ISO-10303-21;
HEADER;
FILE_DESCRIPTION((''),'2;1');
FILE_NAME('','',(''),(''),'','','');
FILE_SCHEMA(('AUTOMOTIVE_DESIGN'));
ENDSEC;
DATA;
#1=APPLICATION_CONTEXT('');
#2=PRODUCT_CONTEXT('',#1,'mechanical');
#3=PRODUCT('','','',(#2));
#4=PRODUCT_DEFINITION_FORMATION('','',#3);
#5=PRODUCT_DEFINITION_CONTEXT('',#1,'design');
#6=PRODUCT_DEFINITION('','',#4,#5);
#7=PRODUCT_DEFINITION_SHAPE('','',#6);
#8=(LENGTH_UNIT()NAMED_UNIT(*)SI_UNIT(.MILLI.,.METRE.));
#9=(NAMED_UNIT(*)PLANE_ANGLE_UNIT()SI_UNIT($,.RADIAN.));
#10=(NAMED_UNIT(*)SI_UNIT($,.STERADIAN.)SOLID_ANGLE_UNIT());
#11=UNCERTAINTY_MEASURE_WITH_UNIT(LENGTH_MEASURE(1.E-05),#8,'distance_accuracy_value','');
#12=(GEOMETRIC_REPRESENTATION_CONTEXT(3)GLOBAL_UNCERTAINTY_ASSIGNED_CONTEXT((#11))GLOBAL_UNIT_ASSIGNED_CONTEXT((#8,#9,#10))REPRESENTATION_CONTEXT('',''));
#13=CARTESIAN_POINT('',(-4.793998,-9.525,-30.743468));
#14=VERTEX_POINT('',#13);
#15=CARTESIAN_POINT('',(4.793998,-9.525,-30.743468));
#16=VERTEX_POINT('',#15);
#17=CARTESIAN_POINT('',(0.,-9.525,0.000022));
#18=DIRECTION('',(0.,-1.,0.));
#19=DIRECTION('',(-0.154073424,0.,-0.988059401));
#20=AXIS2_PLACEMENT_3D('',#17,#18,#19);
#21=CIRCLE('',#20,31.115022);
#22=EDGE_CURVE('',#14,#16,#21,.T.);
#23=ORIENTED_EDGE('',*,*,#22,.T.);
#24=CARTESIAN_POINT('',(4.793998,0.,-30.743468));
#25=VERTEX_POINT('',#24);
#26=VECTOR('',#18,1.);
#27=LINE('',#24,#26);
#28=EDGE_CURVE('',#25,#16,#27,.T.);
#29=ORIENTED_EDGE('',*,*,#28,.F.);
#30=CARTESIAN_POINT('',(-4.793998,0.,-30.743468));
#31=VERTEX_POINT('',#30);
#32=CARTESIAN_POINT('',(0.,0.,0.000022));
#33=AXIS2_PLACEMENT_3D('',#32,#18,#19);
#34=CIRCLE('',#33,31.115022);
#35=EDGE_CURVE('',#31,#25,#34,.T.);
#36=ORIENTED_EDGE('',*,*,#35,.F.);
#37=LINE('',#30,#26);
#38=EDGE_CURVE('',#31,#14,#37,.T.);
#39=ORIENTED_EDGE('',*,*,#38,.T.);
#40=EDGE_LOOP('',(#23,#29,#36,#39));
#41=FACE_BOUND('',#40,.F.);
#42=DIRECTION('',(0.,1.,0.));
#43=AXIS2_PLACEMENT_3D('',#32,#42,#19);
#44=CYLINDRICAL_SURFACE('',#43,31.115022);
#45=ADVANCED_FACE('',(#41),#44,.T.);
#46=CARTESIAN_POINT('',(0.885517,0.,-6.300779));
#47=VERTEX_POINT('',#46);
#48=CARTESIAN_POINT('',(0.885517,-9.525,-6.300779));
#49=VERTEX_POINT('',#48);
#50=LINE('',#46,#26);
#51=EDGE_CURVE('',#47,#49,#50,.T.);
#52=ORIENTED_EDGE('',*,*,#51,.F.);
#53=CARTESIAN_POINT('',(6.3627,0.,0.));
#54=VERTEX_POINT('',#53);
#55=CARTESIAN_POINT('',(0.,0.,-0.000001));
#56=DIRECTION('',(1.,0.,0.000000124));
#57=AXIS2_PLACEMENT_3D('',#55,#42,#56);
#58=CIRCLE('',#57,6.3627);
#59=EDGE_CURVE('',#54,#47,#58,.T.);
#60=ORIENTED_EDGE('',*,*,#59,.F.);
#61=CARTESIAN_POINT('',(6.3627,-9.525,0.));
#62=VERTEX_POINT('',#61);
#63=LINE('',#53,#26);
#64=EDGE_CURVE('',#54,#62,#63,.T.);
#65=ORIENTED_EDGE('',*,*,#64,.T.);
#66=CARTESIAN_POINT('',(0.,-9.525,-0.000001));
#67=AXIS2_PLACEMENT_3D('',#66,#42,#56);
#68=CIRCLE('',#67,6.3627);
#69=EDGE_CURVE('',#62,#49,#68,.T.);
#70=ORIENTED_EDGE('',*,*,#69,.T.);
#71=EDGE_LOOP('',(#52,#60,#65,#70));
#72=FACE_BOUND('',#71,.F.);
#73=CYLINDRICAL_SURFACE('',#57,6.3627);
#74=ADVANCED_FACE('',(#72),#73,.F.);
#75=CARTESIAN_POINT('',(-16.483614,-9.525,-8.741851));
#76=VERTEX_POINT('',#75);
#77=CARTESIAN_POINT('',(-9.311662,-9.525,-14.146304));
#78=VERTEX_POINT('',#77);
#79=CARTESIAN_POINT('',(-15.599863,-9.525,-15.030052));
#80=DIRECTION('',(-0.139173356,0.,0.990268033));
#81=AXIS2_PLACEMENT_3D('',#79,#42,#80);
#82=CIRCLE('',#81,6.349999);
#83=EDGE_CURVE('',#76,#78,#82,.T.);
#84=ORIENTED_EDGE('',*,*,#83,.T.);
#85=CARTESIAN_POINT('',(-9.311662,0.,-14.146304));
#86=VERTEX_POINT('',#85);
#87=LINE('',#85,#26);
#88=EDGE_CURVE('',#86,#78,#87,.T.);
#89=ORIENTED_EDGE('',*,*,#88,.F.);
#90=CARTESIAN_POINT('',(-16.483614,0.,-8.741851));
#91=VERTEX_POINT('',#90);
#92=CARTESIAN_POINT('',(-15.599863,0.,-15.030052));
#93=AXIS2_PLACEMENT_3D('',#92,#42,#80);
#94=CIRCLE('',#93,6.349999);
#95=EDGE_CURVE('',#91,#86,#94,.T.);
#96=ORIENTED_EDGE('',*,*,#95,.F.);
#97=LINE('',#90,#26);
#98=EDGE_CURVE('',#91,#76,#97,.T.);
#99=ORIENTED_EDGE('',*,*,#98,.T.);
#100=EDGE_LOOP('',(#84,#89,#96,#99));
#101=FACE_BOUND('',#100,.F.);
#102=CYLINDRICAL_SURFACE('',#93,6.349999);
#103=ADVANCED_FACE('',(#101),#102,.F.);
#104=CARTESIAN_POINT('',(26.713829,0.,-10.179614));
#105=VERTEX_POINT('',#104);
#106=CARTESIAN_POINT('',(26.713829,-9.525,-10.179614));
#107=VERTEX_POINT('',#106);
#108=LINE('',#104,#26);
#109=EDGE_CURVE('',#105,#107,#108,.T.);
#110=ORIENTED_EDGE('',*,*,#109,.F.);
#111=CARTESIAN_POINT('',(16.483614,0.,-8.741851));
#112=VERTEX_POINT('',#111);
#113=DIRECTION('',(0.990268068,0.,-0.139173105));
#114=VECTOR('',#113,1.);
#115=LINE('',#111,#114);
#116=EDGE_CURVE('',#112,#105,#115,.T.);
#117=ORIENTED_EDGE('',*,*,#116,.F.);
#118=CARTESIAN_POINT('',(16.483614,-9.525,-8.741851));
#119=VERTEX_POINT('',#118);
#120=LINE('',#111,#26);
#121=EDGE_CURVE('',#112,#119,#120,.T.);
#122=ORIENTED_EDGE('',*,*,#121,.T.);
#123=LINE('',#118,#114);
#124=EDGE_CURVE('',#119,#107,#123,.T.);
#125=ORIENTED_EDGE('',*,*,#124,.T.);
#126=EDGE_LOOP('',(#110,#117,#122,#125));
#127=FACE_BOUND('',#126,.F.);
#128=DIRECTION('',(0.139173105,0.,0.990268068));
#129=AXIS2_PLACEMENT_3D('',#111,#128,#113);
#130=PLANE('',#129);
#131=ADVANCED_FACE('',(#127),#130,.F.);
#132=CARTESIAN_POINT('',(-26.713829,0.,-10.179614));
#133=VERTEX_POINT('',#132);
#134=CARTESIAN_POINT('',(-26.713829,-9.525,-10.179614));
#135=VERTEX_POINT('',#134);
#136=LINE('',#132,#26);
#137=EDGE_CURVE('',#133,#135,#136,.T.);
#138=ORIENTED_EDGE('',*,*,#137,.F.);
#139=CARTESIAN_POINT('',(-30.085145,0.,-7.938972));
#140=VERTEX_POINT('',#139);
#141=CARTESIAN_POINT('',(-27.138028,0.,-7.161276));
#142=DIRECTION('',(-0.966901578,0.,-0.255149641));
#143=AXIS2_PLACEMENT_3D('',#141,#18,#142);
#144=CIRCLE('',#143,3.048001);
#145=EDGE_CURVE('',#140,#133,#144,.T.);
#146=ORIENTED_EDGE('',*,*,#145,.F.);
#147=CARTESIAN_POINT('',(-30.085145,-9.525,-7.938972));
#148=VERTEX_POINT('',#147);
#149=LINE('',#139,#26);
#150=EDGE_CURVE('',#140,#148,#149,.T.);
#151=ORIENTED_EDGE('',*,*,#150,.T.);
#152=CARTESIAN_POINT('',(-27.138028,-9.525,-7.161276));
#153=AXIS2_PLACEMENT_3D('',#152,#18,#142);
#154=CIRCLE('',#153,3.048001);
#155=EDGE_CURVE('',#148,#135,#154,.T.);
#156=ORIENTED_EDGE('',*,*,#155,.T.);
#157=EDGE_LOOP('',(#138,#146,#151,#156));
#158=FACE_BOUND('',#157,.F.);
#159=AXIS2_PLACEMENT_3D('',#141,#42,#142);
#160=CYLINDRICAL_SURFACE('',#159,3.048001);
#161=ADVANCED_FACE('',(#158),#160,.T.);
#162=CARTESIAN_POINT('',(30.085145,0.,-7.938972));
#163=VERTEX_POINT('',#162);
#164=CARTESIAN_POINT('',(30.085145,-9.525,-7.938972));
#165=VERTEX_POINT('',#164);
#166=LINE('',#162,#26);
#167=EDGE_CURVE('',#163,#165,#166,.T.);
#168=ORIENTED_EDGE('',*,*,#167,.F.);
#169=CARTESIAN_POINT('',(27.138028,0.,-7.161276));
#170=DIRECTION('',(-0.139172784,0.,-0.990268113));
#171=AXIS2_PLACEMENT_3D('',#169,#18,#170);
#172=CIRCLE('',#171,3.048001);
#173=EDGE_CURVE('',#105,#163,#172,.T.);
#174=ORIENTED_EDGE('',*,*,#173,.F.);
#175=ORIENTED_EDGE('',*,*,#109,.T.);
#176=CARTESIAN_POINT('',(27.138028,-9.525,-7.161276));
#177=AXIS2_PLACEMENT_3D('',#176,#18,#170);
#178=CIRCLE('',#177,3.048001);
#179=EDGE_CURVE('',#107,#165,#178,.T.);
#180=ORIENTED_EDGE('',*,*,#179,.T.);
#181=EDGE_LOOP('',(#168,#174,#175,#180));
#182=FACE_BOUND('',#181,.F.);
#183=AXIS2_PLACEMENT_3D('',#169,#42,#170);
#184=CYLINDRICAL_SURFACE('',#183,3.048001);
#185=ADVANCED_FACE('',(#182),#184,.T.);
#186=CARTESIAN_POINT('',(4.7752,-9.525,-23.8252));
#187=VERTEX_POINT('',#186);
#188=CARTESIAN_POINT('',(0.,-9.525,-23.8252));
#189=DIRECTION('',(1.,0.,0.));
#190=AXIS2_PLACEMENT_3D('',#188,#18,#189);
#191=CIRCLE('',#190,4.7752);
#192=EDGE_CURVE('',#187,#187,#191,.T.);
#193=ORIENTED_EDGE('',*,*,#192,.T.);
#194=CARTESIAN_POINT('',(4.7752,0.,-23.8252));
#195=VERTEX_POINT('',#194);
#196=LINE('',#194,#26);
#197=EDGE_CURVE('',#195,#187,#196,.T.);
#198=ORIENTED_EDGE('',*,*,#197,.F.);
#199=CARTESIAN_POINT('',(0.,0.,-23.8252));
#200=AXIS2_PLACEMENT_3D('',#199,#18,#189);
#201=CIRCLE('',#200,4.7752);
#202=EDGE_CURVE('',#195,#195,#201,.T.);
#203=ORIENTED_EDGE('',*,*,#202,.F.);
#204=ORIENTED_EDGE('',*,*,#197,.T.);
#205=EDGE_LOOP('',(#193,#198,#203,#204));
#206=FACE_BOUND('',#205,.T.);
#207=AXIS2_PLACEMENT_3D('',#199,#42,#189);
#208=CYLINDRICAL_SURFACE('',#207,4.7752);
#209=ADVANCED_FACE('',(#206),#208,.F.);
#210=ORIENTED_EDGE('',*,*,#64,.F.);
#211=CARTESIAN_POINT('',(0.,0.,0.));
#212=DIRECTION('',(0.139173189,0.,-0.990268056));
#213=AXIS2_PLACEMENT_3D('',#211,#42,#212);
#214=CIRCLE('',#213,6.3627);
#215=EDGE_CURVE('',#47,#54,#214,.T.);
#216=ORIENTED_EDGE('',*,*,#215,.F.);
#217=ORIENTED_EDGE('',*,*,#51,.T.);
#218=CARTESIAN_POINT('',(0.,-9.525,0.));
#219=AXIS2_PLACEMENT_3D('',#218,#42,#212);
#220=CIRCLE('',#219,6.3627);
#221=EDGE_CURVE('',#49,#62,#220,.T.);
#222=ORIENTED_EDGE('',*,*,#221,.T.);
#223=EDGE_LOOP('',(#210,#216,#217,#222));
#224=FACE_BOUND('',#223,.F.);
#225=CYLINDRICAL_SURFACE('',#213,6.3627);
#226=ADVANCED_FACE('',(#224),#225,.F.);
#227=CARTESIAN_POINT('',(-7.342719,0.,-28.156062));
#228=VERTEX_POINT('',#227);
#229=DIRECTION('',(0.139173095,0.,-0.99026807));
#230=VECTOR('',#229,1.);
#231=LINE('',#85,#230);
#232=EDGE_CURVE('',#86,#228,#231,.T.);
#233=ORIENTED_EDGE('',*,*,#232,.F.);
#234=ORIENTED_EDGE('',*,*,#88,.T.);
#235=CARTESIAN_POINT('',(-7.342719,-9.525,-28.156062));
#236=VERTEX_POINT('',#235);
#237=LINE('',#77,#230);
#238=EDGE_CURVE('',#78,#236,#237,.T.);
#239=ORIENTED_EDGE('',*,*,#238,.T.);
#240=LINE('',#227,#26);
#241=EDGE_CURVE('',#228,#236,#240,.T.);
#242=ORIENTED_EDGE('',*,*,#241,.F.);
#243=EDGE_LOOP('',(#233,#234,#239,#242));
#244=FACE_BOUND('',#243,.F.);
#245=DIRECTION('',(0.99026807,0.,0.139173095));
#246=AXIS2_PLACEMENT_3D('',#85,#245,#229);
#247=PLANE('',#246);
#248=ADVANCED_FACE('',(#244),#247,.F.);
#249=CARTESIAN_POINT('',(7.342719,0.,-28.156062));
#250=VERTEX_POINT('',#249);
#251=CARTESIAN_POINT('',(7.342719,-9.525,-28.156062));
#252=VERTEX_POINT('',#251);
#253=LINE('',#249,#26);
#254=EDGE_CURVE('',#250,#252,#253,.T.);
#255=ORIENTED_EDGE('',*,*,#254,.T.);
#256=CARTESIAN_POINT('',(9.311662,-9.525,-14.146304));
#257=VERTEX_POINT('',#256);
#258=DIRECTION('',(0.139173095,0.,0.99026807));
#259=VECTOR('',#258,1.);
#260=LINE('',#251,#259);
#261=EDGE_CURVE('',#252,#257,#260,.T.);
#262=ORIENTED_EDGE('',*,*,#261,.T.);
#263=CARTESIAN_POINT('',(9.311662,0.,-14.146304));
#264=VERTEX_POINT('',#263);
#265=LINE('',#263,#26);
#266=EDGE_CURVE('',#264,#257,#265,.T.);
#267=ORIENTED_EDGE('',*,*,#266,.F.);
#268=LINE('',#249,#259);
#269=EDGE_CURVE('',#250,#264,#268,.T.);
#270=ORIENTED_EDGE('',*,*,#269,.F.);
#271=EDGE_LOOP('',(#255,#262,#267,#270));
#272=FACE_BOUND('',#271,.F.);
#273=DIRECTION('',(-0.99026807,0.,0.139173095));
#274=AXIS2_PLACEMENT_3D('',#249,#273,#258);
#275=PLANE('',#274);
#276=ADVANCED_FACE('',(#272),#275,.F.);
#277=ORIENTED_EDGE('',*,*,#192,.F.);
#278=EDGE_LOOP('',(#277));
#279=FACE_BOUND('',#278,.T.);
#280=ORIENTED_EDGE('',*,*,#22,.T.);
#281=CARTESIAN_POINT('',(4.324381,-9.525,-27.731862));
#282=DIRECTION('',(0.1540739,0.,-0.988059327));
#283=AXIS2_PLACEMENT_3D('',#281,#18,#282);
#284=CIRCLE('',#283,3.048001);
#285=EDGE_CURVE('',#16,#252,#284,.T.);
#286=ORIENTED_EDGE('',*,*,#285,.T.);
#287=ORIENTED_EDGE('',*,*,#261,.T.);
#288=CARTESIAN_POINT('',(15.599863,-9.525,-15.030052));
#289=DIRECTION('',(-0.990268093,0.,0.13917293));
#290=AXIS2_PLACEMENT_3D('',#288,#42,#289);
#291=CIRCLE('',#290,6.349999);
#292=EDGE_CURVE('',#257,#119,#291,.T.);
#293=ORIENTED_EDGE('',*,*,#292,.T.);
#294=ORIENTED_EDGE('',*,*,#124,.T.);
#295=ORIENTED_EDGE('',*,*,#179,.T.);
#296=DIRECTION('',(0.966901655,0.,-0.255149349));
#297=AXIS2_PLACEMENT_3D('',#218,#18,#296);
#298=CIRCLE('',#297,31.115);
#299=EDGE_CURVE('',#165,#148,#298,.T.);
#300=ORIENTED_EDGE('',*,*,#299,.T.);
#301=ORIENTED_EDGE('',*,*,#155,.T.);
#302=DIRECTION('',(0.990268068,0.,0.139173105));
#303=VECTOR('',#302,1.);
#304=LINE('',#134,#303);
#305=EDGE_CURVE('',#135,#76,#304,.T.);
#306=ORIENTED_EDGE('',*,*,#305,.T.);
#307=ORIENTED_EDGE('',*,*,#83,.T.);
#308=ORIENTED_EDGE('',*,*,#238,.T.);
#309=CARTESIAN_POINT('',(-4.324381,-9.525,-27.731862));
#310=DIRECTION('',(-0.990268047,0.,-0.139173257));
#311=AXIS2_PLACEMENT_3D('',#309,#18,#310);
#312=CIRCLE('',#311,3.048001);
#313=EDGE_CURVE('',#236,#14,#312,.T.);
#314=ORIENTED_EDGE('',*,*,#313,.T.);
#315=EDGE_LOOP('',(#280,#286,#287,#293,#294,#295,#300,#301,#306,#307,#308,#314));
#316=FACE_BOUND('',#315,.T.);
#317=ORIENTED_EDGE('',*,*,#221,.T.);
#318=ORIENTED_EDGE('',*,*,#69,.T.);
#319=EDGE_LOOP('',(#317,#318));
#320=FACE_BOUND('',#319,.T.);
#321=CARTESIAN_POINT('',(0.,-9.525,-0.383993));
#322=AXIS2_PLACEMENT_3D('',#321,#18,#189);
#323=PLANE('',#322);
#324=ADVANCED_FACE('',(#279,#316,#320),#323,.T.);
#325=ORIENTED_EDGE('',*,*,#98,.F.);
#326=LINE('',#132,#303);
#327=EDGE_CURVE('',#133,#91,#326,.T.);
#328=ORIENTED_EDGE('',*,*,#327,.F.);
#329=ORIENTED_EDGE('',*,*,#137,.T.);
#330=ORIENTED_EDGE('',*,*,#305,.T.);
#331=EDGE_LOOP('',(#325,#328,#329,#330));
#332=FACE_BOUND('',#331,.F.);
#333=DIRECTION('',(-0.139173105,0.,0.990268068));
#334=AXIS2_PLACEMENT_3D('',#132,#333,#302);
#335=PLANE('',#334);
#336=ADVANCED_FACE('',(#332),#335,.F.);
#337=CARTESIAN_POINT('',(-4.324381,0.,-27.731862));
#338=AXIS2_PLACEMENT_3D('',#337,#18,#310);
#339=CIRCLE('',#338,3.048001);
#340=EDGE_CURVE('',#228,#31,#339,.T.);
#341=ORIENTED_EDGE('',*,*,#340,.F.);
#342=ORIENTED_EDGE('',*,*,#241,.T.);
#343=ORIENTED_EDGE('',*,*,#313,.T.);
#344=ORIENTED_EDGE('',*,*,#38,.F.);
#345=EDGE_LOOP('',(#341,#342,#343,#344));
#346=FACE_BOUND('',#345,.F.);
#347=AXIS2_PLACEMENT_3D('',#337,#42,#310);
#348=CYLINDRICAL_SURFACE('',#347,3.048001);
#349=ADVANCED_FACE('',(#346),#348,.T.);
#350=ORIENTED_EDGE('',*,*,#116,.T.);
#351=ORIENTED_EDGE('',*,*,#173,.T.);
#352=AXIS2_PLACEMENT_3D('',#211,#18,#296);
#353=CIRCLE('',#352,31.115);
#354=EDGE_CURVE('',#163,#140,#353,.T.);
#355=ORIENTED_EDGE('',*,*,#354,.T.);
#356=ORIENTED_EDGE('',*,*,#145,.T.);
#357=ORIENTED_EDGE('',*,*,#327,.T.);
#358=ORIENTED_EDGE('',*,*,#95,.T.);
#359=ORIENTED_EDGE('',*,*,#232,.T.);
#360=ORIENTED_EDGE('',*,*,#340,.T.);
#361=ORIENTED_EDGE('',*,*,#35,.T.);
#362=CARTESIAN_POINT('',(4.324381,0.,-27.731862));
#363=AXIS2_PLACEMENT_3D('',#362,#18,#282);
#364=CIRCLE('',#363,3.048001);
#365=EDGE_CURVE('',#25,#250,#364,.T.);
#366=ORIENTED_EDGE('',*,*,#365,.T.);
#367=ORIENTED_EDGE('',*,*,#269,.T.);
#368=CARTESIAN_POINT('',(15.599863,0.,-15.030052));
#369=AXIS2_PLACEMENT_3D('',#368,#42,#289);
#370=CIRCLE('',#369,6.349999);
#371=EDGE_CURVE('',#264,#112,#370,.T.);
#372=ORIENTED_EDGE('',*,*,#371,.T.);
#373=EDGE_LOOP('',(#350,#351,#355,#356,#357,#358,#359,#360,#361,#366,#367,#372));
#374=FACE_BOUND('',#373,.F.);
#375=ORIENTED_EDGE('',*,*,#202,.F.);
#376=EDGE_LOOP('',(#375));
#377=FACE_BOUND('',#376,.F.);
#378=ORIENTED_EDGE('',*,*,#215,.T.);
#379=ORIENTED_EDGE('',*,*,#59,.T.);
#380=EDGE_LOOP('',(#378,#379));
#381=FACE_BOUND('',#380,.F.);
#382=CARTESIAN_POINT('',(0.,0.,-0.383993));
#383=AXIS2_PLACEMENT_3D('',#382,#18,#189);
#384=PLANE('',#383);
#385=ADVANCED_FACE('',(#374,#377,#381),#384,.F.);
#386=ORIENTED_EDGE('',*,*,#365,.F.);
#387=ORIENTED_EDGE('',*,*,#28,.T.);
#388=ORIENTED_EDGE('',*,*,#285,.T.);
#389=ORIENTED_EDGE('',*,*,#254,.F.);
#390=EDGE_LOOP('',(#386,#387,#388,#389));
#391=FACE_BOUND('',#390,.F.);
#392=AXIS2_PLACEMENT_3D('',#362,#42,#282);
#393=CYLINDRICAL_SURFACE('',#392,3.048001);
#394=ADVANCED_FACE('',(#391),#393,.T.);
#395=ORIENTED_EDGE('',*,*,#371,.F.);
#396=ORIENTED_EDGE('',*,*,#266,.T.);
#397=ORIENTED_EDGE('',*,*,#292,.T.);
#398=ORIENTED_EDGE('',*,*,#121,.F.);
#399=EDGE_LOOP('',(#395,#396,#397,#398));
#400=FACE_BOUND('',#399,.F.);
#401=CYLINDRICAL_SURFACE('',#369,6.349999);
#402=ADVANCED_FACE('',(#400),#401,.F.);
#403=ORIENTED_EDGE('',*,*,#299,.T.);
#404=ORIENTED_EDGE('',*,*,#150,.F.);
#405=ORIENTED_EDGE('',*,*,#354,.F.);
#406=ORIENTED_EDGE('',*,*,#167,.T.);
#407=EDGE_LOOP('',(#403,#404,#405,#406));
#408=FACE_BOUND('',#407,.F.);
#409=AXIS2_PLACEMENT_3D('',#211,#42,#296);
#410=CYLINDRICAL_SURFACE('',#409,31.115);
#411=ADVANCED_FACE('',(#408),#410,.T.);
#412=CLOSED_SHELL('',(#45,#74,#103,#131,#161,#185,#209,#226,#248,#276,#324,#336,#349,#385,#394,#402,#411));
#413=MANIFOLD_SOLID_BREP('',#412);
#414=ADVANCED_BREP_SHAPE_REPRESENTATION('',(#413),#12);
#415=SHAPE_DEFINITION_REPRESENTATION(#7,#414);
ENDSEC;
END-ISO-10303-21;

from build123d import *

# Parameters (mm, degrees)
F0_R     = 4.7752
F1_DEPTH = 9.525


with BuildPart() as f1:
    # F0 (on Front) → F1 (new body)
    with BuildSketch(Plane.XZ):
        with BuildLine():
            ThreePointArc((26.713829, -10.179614), (28.825155, -9.699762), (30.085145, -7.938972))
            ThreePointArc((30.085145, -7.938972), (0, 31.115), (-30.085145, -7.938972))
            ThreePointArc((-30.085145, -7.938972), (-28.825155, -9.699762), (-26.713829, -10.179614))
            Line((-26.713829, -10.179614), (-16.483614, -8.741851))
            ThreePointArc((-16.483614, -8.741851), (-11.778339, -9.958717), (-9.311662, -14.146304))
            Line((-9.311662, -14.146304), (-7.342719, -28.156062))
            ThreePointArc((-7.342719, -28.156062), (-6.495815, -29.87083), (-4.793998, -30.743468))
            ThreePointArc((-4.793998, -30.743468), (0, -31.115), (4.793998, -30.743468))
            ThreePointArc((4.793998, -30.743468), (6.495815, -29.87083), (7.342719, -28.156062))
            Line((7.342719, -28.156062), (9.311662, -14.146304))
            ThreePointArc((9.311662, -14.146304), (11.778339, -9.958717), (16.483614, -8.741851))
            Line((16.483614, -8.741851), (26.713829, -10.179614))
        make_face()
        with Locations((0, -23.8252)):
            Circle(F0_R, mode=Mode.SUBTRACT)
        with BuildLine():
            ThreePointArc((0.885517, -6.300779), (-4.801991, 4.174307), (6.3627, 0))
            ThreePointArc((6.3627, 0), (4.801991, -4.174307), (0.885517, -6.300779))
        make_face(mode=Mode.SUBTRACT)
    extrude(amount=F1_DEPTH)


solid = f1.part
